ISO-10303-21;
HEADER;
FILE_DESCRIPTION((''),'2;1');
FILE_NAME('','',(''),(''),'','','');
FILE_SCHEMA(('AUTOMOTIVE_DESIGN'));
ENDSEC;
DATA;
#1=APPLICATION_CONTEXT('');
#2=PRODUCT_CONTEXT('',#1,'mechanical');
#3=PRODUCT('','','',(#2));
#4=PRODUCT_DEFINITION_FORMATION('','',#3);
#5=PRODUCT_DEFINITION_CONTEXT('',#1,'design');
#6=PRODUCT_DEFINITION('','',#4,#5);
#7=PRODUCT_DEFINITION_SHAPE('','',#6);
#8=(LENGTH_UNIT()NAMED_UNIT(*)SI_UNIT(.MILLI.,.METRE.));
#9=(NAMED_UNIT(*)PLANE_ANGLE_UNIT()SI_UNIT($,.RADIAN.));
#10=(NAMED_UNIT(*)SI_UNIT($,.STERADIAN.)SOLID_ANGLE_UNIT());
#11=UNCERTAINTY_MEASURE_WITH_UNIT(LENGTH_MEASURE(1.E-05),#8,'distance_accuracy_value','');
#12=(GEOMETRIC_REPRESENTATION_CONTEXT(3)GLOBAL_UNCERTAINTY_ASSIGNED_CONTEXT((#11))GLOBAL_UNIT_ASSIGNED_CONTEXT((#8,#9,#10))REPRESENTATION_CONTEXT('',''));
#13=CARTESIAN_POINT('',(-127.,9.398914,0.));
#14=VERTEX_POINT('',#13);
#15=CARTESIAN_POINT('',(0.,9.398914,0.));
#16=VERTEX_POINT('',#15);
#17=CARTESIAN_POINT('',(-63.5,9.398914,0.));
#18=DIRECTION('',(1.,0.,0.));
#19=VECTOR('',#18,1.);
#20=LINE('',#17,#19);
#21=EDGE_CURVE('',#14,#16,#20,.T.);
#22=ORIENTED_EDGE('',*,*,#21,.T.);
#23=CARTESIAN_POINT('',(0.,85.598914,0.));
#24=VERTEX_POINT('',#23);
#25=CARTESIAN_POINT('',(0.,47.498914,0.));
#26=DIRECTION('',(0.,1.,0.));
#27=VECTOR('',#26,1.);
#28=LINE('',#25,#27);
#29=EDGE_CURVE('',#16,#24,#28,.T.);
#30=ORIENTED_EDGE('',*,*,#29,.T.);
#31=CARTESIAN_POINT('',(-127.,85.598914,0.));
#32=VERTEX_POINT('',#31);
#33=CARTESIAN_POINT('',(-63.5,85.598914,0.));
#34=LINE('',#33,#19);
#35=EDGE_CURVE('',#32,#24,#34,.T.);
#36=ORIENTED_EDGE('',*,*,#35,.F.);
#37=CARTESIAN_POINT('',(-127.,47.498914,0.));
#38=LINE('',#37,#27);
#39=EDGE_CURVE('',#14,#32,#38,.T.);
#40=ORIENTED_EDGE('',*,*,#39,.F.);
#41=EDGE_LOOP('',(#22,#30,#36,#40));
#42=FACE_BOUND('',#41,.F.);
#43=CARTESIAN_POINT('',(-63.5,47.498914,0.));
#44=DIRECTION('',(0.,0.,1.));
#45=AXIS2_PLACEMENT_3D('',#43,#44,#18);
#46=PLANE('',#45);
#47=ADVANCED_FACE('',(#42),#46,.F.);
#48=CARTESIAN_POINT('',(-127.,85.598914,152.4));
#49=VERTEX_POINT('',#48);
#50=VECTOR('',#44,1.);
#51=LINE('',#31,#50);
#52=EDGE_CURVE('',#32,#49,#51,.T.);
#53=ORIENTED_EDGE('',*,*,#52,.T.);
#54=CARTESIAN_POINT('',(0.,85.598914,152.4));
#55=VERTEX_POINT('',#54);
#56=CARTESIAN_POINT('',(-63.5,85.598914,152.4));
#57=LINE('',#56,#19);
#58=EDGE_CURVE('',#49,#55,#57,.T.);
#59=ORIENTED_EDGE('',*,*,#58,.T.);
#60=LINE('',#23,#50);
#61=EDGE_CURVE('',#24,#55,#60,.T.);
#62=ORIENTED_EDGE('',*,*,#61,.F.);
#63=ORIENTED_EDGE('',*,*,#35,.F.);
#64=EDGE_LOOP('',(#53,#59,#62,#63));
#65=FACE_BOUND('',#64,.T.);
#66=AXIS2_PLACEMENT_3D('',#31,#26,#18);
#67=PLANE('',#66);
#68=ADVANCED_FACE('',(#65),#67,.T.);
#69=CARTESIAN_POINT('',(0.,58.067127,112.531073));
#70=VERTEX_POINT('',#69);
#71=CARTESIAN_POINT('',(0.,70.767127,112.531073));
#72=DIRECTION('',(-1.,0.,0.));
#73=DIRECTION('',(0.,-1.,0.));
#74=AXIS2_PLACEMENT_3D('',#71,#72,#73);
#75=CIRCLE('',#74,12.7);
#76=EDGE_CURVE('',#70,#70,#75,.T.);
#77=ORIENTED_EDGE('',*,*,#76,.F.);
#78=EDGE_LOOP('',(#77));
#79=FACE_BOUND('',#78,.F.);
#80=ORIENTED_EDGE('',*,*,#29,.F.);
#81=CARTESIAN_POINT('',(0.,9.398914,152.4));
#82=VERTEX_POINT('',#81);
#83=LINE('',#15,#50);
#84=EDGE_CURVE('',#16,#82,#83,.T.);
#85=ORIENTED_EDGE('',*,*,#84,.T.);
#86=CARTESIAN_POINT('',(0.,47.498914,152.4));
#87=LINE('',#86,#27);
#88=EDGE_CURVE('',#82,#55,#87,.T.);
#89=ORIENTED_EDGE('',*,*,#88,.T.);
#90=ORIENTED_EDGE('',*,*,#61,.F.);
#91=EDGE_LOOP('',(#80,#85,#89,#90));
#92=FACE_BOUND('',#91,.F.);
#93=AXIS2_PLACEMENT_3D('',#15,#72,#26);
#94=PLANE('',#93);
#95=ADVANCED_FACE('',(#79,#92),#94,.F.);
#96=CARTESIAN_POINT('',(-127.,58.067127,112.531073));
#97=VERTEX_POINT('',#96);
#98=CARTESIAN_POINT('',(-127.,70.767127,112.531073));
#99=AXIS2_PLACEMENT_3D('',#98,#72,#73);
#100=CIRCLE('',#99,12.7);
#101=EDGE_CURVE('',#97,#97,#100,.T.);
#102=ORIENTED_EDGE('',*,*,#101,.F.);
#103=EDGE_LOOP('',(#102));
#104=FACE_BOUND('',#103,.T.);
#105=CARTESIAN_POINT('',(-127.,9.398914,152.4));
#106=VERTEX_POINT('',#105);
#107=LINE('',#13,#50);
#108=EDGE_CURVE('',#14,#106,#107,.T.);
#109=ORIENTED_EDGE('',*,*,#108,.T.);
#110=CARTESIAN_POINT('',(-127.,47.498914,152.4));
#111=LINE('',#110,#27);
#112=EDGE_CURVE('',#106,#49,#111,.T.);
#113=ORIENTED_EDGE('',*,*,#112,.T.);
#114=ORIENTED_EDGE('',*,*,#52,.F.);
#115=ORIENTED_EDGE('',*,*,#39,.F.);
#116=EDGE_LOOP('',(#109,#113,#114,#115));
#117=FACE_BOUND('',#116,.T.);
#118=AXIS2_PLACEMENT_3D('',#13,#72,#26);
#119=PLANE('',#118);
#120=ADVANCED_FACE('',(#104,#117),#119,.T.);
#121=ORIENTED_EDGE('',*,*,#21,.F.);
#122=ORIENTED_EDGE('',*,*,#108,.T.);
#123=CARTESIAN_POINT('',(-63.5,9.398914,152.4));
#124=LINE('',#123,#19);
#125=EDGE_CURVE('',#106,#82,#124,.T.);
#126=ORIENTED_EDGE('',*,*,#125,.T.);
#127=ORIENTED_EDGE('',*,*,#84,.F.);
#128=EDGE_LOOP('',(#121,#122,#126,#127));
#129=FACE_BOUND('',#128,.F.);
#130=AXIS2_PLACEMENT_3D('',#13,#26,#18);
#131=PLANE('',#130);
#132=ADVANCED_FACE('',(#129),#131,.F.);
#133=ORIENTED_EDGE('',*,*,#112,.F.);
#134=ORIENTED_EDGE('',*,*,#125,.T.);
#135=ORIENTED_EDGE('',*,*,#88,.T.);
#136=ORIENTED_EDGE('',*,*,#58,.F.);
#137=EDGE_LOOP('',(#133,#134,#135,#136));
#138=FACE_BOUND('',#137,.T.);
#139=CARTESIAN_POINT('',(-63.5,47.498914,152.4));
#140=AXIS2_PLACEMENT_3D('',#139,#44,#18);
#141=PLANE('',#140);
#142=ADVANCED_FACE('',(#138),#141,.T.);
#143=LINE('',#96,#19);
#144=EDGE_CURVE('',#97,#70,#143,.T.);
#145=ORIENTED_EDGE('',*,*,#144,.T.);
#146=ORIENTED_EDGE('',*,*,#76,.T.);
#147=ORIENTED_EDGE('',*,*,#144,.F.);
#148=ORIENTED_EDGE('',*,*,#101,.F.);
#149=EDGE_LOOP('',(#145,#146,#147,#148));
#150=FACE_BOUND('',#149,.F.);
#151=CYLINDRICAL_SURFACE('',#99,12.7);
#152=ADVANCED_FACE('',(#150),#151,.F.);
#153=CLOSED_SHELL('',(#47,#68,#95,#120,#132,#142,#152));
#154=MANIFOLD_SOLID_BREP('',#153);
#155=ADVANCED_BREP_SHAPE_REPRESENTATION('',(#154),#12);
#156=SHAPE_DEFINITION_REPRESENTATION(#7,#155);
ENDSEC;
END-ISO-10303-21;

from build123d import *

# Parameters (mm, degrees)
F0_W     = 127
F0_H     = 76.2
F1_DEPTH = 152.4
F2_R     = 12.7
F3_DEPTH = 127.001


with BuildPart() as f1:
    # F0 (on Top) → F1 (new body)
    with BuildSketch(Plane.XY):
        with Locations((-63.5, 47.498914)):
            Rectangle(F0_W, F0_H)
    extrude(amount=F1_DEPTH)

    # F2 (on face) → F3 (cut, through all)
    with BuildSketch(Plane(origin=(-127, 0, 0), x_dir=(0, -1, 0), z_dir=(-1, 0, 0))):
        with Locations((-70.767127, 112.531073)):
            Circle(F2_R)
    extrude(amount=-F3_DEPTH, mode=Mode.SUBTRACT)


solid = f1.part
